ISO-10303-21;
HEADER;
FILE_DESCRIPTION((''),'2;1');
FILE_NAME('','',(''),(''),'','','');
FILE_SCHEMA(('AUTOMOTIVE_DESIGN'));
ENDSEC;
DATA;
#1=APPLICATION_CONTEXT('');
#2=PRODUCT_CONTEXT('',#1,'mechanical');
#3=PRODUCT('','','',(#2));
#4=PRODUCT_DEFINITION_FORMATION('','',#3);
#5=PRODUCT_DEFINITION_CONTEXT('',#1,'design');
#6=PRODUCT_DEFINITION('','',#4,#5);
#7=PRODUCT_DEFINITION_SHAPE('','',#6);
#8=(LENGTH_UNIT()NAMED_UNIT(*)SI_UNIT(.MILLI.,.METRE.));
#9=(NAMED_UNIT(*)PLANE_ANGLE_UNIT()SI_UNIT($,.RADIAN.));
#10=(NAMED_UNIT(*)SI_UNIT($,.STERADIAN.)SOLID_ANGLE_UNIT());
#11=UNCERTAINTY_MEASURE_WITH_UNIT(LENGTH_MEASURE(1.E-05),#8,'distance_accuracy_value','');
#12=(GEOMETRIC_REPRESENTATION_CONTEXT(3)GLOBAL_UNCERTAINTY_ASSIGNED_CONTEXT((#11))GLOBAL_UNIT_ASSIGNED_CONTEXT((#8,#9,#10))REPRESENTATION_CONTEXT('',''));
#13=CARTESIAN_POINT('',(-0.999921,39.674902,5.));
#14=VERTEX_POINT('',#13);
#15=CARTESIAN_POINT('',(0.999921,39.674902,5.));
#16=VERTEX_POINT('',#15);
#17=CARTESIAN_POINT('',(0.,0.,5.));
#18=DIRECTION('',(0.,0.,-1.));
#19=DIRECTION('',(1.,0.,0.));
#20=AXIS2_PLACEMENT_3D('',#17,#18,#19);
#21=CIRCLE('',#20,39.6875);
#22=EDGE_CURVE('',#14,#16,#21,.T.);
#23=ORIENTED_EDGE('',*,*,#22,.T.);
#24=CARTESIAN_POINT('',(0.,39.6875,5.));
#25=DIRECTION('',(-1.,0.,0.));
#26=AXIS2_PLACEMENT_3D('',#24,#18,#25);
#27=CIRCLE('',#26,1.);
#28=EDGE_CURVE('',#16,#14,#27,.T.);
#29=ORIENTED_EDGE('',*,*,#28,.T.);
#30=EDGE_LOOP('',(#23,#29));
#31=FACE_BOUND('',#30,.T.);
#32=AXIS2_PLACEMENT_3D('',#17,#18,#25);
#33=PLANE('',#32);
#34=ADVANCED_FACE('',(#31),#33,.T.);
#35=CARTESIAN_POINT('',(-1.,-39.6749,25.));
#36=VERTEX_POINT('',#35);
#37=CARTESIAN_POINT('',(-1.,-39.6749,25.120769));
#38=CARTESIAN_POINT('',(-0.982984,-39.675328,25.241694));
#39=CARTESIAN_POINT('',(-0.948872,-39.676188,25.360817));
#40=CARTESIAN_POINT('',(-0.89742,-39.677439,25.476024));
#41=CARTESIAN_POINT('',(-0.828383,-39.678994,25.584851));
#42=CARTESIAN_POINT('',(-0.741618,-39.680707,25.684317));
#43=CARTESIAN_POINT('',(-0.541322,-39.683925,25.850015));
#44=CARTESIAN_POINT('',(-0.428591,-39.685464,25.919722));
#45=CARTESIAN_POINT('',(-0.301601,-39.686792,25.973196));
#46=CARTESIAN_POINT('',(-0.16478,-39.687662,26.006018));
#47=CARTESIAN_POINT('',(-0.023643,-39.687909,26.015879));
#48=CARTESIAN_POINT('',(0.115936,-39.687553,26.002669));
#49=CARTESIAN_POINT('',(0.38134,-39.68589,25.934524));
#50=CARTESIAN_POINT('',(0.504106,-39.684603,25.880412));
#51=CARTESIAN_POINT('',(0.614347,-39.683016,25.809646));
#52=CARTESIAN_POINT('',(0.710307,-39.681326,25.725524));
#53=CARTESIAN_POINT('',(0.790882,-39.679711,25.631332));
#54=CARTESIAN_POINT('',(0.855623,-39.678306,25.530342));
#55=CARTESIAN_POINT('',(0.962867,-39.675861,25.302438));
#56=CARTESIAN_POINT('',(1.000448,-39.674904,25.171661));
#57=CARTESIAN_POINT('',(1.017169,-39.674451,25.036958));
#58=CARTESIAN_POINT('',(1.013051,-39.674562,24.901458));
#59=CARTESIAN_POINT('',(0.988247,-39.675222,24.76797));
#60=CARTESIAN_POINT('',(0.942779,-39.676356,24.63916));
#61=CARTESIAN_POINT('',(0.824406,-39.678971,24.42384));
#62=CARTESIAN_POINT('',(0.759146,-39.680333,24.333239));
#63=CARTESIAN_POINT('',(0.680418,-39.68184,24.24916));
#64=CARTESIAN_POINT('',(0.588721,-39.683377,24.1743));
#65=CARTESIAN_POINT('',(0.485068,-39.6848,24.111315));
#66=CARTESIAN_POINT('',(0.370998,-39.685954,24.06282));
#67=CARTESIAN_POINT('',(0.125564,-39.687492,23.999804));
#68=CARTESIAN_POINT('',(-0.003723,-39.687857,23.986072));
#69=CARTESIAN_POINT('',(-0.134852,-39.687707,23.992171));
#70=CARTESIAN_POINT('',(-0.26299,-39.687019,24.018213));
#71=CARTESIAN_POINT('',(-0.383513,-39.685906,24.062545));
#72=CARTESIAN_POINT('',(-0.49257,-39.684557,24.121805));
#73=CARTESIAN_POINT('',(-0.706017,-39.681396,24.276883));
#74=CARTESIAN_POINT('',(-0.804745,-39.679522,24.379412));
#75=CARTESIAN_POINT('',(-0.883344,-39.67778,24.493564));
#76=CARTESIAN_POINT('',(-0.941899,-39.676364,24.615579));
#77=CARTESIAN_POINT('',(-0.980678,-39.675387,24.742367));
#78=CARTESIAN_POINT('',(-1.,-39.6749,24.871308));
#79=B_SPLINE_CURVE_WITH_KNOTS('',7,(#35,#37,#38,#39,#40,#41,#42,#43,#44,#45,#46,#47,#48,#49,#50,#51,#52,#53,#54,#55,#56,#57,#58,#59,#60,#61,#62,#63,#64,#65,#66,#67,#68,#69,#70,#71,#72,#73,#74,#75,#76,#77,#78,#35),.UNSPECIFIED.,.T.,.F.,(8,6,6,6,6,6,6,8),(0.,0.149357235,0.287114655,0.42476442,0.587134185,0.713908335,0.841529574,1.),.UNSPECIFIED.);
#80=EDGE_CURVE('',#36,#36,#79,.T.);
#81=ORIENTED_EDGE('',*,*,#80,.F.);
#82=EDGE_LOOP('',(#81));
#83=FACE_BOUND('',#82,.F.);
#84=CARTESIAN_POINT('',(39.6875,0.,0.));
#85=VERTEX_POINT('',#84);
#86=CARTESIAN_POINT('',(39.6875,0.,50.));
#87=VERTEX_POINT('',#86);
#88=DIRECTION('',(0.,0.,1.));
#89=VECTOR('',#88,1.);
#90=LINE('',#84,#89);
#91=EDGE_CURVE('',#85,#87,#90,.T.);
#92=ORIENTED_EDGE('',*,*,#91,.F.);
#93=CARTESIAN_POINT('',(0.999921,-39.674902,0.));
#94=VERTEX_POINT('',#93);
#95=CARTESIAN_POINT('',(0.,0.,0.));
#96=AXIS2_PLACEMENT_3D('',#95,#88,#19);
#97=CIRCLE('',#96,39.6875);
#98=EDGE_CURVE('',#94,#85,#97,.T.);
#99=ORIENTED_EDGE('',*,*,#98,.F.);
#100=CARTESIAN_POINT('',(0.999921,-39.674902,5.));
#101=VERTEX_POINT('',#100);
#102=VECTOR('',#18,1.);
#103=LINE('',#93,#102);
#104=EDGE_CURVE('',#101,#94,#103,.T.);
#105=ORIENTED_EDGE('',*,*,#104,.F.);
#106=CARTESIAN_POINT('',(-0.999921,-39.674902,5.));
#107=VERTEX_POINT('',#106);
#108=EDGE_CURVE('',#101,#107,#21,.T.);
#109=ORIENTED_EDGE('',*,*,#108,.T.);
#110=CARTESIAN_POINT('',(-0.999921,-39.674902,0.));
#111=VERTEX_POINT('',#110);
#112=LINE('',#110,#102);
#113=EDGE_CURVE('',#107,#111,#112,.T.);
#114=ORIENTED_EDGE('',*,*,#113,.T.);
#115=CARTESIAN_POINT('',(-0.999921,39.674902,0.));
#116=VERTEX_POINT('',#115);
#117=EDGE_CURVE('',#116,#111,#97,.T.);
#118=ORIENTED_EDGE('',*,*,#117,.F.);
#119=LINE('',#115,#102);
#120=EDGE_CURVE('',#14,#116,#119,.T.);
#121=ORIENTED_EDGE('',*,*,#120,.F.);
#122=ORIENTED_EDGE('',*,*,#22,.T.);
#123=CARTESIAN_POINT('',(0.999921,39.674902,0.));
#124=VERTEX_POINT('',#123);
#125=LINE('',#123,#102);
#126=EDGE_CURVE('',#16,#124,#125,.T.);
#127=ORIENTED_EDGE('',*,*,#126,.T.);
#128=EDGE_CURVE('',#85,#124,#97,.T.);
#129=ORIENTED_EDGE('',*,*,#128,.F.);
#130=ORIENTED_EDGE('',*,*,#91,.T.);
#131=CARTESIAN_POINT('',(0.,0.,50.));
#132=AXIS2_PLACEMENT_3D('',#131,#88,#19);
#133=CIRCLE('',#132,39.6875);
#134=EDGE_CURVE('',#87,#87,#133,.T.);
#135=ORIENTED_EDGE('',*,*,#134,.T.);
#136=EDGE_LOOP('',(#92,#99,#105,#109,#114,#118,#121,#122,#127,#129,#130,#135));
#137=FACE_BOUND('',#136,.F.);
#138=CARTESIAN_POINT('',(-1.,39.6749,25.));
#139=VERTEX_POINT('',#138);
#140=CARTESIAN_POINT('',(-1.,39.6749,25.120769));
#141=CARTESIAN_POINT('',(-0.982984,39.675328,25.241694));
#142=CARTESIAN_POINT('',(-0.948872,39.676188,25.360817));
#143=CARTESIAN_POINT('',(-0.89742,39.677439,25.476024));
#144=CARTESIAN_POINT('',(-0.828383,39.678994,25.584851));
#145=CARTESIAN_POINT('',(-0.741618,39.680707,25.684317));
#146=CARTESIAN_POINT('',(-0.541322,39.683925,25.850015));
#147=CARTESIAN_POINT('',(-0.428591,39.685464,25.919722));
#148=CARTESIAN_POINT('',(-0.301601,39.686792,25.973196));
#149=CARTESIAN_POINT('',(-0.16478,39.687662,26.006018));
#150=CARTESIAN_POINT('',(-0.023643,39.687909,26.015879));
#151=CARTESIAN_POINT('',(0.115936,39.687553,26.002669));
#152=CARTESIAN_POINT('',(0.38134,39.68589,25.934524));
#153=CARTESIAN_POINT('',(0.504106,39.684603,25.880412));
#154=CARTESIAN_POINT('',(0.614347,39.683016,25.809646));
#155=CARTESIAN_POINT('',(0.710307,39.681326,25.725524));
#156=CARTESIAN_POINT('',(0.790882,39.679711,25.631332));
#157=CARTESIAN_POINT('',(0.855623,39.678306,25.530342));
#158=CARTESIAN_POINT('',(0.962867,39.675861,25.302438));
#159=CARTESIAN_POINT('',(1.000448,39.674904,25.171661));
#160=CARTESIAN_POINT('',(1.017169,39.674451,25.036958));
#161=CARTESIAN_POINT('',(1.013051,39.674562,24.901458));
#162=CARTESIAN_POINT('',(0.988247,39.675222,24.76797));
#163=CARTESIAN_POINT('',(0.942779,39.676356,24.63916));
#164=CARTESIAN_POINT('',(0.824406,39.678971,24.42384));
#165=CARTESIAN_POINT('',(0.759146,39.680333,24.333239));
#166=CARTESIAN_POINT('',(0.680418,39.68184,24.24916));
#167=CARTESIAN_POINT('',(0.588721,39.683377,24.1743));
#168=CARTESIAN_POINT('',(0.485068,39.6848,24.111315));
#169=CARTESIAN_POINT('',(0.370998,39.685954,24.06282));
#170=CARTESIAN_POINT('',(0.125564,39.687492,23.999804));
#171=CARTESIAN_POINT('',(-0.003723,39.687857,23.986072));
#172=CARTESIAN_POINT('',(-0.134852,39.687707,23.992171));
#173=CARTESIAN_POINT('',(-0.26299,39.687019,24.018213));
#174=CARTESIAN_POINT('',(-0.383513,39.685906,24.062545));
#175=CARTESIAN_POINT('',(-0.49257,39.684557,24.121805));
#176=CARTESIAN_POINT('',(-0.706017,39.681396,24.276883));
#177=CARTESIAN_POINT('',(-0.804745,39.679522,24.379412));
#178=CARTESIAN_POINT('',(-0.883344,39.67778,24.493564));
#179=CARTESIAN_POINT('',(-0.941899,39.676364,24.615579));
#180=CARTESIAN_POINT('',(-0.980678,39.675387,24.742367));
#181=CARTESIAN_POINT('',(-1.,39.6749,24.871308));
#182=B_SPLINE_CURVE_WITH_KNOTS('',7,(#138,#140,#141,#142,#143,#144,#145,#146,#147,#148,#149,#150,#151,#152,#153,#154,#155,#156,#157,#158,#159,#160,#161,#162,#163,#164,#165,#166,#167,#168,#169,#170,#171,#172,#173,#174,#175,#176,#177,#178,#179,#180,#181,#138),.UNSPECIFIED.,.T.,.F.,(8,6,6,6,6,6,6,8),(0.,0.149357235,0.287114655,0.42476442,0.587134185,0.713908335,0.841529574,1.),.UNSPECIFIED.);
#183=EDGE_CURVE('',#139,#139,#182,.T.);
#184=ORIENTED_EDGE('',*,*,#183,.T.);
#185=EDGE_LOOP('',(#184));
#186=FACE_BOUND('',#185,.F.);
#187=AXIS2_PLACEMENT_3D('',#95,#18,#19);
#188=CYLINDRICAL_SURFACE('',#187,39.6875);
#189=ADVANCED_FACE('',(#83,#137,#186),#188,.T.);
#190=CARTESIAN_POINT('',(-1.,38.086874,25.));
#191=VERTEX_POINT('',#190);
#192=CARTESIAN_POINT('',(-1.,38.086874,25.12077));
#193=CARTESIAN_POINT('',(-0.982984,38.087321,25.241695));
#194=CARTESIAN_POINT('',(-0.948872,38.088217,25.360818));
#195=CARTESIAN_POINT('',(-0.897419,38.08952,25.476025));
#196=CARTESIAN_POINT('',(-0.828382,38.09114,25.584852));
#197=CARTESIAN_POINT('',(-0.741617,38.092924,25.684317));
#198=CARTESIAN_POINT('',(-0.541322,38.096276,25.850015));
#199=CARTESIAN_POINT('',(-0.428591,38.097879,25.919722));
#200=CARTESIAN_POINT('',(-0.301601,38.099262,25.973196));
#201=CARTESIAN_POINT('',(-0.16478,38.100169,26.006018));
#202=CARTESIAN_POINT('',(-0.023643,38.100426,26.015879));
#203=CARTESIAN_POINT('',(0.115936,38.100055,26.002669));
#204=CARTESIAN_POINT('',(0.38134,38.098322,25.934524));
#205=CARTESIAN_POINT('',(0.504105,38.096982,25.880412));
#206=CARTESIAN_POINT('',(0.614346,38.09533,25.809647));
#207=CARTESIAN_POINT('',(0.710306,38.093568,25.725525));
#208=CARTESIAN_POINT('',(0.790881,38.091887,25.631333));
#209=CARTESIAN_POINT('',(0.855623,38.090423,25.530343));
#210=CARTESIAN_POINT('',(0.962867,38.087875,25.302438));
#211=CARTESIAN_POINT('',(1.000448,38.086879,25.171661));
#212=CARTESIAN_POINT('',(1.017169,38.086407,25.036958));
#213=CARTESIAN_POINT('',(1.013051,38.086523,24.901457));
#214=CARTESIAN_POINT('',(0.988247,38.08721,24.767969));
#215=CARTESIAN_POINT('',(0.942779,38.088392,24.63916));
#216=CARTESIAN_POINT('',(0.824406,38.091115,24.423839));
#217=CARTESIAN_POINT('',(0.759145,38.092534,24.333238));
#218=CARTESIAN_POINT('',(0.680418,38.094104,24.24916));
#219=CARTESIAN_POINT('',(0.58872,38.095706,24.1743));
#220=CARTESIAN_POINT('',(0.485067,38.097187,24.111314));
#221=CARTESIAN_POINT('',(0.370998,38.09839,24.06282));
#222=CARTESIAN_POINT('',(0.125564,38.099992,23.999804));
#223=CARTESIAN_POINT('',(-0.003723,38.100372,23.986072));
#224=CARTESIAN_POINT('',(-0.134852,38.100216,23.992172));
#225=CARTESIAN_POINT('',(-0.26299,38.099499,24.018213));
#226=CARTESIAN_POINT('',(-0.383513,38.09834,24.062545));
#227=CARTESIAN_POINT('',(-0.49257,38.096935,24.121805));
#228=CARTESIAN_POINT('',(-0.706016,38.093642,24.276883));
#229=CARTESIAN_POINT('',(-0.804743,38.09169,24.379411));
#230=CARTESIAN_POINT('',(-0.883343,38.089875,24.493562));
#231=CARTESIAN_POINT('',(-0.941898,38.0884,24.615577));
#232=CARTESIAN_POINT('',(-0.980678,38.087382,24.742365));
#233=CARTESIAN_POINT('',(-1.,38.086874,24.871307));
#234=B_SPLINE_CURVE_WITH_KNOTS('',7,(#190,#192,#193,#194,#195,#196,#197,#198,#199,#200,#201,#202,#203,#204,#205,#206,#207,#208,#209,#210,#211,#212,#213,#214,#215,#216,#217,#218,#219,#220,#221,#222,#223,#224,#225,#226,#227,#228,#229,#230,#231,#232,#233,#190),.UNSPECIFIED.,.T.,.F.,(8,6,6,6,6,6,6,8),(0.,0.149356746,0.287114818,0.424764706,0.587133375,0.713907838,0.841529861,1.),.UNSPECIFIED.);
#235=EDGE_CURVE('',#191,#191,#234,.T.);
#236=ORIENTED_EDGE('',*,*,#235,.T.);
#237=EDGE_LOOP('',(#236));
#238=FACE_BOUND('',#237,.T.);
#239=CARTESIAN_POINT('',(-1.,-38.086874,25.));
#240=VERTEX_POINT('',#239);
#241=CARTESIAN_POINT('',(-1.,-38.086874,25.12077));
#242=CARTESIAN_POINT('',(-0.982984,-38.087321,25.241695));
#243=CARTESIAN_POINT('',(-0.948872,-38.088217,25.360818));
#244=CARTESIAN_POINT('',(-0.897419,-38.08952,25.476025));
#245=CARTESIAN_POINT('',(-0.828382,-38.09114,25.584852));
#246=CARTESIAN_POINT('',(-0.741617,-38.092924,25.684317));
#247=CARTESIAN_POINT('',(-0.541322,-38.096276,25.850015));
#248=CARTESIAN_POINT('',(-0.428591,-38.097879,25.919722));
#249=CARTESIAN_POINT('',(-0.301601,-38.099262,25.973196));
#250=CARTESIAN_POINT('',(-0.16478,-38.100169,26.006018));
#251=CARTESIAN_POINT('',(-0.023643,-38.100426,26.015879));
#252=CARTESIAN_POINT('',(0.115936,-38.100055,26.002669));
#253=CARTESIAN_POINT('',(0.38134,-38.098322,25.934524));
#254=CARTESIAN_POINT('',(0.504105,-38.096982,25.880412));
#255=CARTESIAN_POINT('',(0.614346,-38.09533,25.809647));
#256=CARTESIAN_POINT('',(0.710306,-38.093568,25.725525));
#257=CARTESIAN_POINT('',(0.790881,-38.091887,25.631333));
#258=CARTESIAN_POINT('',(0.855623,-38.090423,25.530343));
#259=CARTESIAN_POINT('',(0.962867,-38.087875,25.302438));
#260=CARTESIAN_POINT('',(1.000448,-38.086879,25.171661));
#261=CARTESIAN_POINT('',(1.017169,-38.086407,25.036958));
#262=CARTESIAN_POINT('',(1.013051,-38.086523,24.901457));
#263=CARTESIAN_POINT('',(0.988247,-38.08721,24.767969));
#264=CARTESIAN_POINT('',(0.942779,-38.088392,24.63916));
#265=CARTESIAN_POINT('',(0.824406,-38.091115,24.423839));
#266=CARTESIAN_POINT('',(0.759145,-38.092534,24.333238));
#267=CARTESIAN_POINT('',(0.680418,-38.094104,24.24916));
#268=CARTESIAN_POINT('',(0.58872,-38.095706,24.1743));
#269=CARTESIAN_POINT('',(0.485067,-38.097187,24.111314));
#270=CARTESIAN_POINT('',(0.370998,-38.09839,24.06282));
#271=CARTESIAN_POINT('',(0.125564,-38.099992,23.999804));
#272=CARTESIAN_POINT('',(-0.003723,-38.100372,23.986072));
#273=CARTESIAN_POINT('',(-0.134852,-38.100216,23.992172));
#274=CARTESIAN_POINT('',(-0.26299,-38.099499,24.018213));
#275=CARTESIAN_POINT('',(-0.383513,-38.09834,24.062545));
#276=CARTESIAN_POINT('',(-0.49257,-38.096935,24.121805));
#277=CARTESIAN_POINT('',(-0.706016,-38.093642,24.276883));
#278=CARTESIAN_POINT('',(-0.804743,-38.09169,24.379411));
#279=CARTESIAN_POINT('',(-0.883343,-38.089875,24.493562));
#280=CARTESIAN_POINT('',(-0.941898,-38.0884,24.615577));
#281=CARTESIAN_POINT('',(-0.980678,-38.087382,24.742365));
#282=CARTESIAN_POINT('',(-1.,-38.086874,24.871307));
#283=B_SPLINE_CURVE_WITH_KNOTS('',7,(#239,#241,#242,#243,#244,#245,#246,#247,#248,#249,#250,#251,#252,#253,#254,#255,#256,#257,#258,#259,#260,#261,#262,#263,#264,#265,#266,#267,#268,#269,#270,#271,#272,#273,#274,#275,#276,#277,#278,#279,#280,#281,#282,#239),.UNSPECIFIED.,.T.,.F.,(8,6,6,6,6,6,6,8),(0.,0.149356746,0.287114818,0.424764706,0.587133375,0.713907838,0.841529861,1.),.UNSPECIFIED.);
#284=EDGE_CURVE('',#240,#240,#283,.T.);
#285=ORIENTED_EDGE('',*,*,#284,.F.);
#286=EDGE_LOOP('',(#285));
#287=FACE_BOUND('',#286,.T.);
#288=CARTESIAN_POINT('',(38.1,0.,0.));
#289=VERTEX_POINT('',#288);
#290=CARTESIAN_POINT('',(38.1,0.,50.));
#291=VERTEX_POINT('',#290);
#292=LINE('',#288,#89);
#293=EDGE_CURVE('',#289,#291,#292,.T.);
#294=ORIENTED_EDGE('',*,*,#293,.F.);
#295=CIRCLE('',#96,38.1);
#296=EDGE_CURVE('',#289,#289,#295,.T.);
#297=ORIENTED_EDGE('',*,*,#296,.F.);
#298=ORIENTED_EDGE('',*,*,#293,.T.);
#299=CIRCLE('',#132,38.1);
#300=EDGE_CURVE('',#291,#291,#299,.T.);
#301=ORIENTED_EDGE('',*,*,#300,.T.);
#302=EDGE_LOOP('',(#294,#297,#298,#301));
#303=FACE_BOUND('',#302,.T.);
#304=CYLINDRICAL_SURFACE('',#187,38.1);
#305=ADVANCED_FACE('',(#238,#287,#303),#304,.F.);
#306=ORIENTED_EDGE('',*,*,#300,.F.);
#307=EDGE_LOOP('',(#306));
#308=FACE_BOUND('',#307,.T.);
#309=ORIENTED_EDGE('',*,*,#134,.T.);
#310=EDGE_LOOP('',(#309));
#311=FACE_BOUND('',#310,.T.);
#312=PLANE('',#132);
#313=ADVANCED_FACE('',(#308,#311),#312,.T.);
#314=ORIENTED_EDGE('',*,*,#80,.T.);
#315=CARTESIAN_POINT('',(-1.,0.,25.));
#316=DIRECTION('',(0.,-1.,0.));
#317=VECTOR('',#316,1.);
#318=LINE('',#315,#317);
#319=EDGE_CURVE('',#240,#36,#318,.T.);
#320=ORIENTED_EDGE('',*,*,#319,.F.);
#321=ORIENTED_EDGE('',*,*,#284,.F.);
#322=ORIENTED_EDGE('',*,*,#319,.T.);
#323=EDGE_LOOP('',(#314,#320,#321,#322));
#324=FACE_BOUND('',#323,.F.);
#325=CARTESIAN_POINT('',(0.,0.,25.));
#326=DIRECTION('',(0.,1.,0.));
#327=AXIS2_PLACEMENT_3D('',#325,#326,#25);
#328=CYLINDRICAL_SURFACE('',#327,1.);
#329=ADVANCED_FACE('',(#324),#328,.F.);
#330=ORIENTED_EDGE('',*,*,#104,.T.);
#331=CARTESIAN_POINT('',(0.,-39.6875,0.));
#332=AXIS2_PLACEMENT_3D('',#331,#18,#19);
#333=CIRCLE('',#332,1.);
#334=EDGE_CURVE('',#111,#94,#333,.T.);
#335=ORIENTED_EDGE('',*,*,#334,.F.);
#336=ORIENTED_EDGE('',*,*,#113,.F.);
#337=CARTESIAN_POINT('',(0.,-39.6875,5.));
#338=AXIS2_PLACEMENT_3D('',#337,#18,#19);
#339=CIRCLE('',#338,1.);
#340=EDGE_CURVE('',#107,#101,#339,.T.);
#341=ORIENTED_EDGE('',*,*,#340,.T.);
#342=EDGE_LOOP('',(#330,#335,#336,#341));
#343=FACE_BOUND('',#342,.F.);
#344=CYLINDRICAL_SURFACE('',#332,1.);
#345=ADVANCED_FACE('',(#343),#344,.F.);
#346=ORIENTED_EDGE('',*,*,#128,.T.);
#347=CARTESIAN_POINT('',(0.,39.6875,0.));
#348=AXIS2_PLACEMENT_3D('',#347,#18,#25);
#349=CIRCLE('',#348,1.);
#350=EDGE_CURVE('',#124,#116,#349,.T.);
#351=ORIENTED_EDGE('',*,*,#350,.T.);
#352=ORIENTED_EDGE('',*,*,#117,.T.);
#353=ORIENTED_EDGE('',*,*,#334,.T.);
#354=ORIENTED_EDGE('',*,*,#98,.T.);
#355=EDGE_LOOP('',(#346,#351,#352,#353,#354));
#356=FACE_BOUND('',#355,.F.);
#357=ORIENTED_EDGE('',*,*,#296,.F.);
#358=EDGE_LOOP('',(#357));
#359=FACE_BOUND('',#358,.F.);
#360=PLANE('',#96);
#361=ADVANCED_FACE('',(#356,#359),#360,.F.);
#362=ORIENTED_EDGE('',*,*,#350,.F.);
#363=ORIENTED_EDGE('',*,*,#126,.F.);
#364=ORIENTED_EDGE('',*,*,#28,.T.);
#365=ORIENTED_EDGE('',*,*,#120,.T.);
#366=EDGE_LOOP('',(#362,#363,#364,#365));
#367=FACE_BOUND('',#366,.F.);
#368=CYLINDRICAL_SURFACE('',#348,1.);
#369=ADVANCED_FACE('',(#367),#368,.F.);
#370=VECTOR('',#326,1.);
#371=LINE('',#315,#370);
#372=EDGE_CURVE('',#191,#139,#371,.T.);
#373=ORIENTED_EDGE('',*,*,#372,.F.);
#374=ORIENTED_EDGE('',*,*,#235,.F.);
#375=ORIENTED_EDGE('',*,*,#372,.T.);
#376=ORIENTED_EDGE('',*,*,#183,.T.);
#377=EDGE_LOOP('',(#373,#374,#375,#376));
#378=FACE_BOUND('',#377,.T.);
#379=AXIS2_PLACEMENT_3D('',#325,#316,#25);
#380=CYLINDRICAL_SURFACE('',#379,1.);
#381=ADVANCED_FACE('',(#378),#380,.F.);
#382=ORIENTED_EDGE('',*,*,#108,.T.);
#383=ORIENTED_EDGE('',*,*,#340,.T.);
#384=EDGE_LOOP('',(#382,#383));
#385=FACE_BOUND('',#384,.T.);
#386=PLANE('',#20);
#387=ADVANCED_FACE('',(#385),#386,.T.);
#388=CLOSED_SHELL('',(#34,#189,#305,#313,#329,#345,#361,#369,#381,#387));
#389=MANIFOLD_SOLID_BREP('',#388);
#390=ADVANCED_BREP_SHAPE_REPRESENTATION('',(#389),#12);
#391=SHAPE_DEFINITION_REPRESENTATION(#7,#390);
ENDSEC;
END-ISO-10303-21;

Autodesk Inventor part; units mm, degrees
ref_plane "YZ Plane" through (0, 0, 0) normal (1, 0, 0) x (0, 1, 0)
ref_plane "XZ Plane" through (0, 0, 0) normal (0, 1, 0) x (-1, 0, 0)
ref_plane "XY Plane" through (0, 0, 0) normal (0, 0, 1) x (1, 0, 0)
sketch "Sketch1" plane through (0, 0, 0) normal (0, 0, 1) x (1, 0, 0)
  circle A0 centre (0, 0) radius 38.1
  circle A1 centre (0, 0) radius 39.6875
  dimension "d0" = 76.2
  dimension "d1" = 79.375
extrude "Extrusion1" add sketch "Sketch1" along normal blind 50
sketch "Sketch2" plane through (0, 0, 0) normal (1, 0, 0) x (0, 1, 0)
  circle A0 centre (0, 30) radius 1
  line L0 (-39.6875, 0) -> (39.6875, 0) projected
  point P0 (0, 0)
  dimension "d4" = 2
  dimension "d5" = 30
extrude "Extrusion2" [suppressed]
sketch "Sketch3" plane through (0, 0, 0) normal (0, 1, 0) x (-1, 0, 0)
  circle A0 centre (0, 25) radius 1
  line L0 (-39.6875, 0) -> (39.6875, 0) projected
  line L1 (39.6875, 50) -> (-39.6875, 50) projected
  point P0 (0, 0)
  dimension "d8" = 2
  dimension "d12" = 25
extrude "Extrusion3" cut sketch "Sketch3" along normal through all both and the other way through all
sketch "Sketch5" plane through (0, 0, 0) normal (0, 0, -1) x (-1, 0, 0)
  circle A0 centre (0, 39.6875) radius 1
  point P0 (0, 0)
  dimension "d20" = 2
  dimension "d21" = 39.6875
extrude "Extrusion5" cut sketch "Sketch5" against normal blind 5
pattern_circular "Circular Pattern2" count 2 over 360 about axis through (0, 0, 0) along (0, 0, 1) of "Extrusion5"
properties part number "pipe_70mm"
